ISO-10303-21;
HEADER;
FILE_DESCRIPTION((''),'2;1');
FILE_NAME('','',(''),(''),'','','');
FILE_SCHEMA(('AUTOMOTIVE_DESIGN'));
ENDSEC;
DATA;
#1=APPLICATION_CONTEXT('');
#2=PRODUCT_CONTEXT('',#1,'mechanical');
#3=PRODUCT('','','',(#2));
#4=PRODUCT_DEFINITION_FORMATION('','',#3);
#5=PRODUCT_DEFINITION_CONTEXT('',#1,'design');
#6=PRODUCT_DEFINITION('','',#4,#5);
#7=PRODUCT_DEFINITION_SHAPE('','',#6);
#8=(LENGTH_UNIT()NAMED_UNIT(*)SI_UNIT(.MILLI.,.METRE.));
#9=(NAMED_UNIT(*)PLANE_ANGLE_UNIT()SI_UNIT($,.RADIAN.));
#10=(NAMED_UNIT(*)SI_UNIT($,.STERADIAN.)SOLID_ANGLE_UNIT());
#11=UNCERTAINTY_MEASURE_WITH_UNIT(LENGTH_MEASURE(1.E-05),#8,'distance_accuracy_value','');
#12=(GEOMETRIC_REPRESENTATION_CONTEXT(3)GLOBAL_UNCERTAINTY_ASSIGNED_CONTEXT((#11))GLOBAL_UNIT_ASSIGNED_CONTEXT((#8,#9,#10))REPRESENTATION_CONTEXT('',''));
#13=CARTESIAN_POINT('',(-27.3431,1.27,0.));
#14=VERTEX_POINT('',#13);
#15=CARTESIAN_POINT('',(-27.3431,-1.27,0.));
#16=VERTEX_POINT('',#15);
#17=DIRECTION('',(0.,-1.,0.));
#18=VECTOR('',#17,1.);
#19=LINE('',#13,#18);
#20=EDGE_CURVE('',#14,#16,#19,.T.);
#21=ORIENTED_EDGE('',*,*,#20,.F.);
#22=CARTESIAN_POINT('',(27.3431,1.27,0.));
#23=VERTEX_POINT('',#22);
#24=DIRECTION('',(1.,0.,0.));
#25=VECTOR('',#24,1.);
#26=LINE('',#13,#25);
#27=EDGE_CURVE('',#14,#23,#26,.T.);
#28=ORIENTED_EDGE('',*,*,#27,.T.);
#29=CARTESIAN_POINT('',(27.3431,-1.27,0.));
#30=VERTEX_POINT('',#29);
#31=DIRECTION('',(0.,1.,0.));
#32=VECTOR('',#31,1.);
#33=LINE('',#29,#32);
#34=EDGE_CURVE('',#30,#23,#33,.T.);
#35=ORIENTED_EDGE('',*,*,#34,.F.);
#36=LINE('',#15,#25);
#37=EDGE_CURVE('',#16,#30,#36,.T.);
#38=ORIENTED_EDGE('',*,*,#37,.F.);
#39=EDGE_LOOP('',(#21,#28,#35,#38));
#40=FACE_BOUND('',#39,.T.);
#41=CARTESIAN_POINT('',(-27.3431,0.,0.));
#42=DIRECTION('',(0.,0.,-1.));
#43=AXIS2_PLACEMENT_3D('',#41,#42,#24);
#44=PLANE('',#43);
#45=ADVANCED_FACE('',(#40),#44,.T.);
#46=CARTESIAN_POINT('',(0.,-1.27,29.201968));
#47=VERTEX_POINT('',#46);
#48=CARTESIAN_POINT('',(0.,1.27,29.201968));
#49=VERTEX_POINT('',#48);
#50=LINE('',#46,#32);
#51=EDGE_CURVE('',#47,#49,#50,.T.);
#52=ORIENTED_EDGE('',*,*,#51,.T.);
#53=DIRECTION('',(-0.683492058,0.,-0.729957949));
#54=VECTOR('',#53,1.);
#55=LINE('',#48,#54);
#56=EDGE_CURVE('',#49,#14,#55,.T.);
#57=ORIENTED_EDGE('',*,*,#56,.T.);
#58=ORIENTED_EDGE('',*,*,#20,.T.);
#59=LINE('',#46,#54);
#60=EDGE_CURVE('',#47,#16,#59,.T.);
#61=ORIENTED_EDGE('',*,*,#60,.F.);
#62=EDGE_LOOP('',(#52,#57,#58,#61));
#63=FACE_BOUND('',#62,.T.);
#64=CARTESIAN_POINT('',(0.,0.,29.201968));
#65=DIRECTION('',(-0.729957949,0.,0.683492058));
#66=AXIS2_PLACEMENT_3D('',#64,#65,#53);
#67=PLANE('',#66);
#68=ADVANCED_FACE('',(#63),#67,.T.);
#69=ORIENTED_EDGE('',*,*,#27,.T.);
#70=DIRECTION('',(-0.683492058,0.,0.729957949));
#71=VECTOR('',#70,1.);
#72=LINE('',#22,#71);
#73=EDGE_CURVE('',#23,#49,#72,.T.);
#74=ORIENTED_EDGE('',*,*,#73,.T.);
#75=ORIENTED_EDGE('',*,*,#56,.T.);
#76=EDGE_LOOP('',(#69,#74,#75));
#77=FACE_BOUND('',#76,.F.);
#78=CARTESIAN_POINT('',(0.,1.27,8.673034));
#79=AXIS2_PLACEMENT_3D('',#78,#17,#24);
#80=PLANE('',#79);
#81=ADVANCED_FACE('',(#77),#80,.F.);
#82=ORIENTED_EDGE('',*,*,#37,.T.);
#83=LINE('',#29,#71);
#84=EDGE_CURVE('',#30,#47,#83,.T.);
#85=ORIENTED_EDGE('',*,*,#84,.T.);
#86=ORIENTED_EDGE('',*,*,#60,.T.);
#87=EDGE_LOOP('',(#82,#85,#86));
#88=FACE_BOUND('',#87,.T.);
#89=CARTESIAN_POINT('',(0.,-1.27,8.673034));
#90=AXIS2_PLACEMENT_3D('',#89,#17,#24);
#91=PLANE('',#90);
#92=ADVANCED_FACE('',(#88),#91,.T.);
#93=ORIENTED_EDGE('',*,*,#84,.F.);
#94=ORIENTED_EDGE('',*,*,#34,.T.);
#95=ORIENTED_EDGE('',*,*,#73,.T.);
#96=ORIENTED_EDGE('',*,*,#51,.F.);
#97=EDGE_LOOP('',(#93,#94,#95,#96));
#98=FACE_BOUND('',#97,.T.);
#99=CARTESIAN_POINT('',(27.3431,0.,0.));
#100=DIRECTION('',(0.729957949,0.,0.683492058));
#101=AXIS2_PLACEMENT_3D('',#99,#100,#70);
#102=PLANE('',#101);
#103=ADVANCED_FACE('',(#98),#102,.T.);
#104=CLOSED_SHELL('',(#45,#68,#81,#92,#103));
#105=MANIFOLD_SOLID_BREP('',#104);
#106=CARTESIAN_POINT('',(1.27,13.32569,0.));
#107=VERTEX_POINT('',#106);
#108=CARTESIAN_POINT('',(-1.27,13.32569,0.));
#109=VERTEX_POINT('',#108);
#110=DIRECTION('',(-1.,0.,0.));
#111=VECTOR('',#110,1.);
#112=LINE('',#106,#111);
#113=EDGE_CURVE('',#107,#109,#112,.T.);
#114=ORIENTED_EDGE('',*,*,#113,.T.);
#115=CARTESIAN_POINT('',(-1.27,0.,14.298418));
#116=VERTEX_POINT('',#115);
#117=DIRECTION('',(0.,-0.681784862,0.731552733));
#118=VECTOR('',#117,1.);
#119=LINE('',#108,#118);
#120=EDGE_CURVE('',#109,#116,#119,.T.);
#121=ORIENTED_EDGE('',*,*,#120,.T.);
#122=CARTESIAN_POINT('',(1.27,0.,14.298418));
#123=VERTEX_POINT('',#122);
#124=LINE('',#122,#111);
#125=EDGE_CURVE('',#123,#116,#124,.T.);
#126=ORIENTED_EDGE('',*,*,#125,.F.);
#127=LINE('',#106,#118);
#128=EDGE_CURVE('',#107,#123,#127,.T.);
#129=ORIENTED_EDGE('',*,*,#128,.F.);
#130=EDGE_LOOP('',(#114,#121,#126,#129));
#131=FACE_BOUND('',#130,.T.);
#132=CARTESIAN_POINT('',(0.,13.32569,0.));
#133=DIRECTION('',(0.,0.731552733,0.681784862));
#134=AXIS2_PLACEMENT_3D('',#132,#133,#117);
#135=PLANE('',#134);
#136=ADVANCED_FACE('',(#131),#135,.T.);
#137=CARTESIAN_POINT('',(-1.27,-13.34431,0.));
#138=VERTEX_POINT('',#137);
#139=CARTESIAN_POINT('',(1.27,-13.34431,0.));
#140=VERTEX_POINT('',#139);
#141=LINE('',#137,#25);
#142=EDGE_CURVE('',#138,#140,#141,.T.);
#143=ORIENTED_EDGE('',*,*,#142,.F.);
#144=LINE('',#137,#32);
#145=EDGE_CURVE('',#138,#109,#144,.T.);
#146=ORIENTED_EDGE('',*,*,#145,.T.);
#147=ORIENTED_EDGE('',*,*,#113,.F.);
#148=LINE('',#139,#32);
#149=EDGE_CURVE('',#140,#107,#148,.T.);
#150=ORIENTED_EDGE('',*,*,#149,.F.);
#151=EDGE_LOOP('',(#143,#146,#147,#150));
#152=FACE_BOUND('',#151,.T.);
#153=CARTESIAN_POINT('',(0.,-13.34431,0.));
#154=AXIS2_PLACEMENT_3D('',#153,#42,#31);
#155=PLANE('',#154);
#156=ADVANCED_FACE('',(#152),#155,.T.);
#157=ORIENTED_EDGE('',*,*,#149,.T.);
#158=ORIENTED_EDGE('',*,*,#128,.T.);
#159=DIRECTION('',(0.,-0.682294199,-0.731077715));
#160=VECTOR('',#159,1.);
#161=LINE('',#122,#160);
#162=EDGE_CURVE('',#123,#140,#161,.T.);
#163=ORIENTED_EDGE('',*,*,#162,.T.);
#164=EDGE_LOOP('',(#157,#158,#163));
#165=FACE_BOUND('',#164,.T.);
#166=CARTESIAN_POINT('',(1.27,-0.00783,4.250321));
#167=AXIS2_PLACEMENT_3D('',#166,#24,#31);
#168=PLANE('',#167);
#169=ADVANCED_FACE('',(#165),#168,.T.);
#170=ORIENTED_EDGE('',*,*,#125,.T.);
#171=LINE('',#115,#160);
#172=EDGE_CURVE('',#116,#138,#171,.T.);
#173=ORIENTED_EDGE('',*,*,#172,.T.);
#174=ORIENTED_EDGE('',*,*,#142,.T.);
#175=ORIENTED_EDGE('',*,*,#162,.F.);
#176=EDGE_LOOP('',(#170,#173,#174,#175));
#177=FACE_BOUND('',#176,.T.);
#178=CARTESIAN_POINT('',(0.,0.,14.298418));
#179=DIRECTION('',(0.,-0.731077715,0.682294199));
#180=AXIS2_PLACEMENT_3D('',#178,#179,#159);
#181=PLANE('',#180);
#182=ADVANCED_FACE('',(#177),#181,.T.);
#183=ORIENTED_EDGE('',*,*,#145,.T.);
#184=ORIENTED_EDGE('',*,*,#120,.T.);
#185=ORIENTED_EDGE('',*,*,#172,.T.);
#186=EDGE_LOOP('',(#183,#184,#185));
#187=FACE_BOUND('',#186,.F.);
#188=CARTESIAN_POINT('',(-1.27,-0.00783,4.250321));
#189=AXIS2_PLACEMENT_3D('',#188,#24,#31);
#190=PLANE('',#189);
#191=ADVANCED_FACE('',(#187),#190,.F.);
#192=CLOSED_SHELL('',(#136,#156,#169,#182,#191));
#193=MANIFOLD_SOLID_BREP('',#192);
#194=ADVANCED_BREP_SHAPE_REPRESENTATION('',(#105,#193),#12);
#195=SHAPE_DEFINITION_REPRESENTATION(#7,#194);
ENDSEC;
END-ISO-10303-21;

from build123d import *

# Parameters (mm, degrees)
F1_DEPTH = 1.27
F3_DEPTH = 1.27


with BuildPart() as f1:
    # F0 (on Front) → F1 (new body, symmetric)
    with BuildSketch(Plane.XZ):
        Polygon((0, 29.201968), (-27.3431, 0), (27.3431, 0), align=None)
    extrude(amount=F1_DEPTH, both=True)


with BuildPart() as f3:
    # F2 (on Right) → F3 (new body, symmetric)
    with BuildSketch(Plane.YZ):
        Polygon((0, 14.298418), (-13.34431, 0), (13.32569, 0), align=None)
    extrude(amount=F3_DEPTH, both=True)


solid = Compound([f1.part, f3.part])
